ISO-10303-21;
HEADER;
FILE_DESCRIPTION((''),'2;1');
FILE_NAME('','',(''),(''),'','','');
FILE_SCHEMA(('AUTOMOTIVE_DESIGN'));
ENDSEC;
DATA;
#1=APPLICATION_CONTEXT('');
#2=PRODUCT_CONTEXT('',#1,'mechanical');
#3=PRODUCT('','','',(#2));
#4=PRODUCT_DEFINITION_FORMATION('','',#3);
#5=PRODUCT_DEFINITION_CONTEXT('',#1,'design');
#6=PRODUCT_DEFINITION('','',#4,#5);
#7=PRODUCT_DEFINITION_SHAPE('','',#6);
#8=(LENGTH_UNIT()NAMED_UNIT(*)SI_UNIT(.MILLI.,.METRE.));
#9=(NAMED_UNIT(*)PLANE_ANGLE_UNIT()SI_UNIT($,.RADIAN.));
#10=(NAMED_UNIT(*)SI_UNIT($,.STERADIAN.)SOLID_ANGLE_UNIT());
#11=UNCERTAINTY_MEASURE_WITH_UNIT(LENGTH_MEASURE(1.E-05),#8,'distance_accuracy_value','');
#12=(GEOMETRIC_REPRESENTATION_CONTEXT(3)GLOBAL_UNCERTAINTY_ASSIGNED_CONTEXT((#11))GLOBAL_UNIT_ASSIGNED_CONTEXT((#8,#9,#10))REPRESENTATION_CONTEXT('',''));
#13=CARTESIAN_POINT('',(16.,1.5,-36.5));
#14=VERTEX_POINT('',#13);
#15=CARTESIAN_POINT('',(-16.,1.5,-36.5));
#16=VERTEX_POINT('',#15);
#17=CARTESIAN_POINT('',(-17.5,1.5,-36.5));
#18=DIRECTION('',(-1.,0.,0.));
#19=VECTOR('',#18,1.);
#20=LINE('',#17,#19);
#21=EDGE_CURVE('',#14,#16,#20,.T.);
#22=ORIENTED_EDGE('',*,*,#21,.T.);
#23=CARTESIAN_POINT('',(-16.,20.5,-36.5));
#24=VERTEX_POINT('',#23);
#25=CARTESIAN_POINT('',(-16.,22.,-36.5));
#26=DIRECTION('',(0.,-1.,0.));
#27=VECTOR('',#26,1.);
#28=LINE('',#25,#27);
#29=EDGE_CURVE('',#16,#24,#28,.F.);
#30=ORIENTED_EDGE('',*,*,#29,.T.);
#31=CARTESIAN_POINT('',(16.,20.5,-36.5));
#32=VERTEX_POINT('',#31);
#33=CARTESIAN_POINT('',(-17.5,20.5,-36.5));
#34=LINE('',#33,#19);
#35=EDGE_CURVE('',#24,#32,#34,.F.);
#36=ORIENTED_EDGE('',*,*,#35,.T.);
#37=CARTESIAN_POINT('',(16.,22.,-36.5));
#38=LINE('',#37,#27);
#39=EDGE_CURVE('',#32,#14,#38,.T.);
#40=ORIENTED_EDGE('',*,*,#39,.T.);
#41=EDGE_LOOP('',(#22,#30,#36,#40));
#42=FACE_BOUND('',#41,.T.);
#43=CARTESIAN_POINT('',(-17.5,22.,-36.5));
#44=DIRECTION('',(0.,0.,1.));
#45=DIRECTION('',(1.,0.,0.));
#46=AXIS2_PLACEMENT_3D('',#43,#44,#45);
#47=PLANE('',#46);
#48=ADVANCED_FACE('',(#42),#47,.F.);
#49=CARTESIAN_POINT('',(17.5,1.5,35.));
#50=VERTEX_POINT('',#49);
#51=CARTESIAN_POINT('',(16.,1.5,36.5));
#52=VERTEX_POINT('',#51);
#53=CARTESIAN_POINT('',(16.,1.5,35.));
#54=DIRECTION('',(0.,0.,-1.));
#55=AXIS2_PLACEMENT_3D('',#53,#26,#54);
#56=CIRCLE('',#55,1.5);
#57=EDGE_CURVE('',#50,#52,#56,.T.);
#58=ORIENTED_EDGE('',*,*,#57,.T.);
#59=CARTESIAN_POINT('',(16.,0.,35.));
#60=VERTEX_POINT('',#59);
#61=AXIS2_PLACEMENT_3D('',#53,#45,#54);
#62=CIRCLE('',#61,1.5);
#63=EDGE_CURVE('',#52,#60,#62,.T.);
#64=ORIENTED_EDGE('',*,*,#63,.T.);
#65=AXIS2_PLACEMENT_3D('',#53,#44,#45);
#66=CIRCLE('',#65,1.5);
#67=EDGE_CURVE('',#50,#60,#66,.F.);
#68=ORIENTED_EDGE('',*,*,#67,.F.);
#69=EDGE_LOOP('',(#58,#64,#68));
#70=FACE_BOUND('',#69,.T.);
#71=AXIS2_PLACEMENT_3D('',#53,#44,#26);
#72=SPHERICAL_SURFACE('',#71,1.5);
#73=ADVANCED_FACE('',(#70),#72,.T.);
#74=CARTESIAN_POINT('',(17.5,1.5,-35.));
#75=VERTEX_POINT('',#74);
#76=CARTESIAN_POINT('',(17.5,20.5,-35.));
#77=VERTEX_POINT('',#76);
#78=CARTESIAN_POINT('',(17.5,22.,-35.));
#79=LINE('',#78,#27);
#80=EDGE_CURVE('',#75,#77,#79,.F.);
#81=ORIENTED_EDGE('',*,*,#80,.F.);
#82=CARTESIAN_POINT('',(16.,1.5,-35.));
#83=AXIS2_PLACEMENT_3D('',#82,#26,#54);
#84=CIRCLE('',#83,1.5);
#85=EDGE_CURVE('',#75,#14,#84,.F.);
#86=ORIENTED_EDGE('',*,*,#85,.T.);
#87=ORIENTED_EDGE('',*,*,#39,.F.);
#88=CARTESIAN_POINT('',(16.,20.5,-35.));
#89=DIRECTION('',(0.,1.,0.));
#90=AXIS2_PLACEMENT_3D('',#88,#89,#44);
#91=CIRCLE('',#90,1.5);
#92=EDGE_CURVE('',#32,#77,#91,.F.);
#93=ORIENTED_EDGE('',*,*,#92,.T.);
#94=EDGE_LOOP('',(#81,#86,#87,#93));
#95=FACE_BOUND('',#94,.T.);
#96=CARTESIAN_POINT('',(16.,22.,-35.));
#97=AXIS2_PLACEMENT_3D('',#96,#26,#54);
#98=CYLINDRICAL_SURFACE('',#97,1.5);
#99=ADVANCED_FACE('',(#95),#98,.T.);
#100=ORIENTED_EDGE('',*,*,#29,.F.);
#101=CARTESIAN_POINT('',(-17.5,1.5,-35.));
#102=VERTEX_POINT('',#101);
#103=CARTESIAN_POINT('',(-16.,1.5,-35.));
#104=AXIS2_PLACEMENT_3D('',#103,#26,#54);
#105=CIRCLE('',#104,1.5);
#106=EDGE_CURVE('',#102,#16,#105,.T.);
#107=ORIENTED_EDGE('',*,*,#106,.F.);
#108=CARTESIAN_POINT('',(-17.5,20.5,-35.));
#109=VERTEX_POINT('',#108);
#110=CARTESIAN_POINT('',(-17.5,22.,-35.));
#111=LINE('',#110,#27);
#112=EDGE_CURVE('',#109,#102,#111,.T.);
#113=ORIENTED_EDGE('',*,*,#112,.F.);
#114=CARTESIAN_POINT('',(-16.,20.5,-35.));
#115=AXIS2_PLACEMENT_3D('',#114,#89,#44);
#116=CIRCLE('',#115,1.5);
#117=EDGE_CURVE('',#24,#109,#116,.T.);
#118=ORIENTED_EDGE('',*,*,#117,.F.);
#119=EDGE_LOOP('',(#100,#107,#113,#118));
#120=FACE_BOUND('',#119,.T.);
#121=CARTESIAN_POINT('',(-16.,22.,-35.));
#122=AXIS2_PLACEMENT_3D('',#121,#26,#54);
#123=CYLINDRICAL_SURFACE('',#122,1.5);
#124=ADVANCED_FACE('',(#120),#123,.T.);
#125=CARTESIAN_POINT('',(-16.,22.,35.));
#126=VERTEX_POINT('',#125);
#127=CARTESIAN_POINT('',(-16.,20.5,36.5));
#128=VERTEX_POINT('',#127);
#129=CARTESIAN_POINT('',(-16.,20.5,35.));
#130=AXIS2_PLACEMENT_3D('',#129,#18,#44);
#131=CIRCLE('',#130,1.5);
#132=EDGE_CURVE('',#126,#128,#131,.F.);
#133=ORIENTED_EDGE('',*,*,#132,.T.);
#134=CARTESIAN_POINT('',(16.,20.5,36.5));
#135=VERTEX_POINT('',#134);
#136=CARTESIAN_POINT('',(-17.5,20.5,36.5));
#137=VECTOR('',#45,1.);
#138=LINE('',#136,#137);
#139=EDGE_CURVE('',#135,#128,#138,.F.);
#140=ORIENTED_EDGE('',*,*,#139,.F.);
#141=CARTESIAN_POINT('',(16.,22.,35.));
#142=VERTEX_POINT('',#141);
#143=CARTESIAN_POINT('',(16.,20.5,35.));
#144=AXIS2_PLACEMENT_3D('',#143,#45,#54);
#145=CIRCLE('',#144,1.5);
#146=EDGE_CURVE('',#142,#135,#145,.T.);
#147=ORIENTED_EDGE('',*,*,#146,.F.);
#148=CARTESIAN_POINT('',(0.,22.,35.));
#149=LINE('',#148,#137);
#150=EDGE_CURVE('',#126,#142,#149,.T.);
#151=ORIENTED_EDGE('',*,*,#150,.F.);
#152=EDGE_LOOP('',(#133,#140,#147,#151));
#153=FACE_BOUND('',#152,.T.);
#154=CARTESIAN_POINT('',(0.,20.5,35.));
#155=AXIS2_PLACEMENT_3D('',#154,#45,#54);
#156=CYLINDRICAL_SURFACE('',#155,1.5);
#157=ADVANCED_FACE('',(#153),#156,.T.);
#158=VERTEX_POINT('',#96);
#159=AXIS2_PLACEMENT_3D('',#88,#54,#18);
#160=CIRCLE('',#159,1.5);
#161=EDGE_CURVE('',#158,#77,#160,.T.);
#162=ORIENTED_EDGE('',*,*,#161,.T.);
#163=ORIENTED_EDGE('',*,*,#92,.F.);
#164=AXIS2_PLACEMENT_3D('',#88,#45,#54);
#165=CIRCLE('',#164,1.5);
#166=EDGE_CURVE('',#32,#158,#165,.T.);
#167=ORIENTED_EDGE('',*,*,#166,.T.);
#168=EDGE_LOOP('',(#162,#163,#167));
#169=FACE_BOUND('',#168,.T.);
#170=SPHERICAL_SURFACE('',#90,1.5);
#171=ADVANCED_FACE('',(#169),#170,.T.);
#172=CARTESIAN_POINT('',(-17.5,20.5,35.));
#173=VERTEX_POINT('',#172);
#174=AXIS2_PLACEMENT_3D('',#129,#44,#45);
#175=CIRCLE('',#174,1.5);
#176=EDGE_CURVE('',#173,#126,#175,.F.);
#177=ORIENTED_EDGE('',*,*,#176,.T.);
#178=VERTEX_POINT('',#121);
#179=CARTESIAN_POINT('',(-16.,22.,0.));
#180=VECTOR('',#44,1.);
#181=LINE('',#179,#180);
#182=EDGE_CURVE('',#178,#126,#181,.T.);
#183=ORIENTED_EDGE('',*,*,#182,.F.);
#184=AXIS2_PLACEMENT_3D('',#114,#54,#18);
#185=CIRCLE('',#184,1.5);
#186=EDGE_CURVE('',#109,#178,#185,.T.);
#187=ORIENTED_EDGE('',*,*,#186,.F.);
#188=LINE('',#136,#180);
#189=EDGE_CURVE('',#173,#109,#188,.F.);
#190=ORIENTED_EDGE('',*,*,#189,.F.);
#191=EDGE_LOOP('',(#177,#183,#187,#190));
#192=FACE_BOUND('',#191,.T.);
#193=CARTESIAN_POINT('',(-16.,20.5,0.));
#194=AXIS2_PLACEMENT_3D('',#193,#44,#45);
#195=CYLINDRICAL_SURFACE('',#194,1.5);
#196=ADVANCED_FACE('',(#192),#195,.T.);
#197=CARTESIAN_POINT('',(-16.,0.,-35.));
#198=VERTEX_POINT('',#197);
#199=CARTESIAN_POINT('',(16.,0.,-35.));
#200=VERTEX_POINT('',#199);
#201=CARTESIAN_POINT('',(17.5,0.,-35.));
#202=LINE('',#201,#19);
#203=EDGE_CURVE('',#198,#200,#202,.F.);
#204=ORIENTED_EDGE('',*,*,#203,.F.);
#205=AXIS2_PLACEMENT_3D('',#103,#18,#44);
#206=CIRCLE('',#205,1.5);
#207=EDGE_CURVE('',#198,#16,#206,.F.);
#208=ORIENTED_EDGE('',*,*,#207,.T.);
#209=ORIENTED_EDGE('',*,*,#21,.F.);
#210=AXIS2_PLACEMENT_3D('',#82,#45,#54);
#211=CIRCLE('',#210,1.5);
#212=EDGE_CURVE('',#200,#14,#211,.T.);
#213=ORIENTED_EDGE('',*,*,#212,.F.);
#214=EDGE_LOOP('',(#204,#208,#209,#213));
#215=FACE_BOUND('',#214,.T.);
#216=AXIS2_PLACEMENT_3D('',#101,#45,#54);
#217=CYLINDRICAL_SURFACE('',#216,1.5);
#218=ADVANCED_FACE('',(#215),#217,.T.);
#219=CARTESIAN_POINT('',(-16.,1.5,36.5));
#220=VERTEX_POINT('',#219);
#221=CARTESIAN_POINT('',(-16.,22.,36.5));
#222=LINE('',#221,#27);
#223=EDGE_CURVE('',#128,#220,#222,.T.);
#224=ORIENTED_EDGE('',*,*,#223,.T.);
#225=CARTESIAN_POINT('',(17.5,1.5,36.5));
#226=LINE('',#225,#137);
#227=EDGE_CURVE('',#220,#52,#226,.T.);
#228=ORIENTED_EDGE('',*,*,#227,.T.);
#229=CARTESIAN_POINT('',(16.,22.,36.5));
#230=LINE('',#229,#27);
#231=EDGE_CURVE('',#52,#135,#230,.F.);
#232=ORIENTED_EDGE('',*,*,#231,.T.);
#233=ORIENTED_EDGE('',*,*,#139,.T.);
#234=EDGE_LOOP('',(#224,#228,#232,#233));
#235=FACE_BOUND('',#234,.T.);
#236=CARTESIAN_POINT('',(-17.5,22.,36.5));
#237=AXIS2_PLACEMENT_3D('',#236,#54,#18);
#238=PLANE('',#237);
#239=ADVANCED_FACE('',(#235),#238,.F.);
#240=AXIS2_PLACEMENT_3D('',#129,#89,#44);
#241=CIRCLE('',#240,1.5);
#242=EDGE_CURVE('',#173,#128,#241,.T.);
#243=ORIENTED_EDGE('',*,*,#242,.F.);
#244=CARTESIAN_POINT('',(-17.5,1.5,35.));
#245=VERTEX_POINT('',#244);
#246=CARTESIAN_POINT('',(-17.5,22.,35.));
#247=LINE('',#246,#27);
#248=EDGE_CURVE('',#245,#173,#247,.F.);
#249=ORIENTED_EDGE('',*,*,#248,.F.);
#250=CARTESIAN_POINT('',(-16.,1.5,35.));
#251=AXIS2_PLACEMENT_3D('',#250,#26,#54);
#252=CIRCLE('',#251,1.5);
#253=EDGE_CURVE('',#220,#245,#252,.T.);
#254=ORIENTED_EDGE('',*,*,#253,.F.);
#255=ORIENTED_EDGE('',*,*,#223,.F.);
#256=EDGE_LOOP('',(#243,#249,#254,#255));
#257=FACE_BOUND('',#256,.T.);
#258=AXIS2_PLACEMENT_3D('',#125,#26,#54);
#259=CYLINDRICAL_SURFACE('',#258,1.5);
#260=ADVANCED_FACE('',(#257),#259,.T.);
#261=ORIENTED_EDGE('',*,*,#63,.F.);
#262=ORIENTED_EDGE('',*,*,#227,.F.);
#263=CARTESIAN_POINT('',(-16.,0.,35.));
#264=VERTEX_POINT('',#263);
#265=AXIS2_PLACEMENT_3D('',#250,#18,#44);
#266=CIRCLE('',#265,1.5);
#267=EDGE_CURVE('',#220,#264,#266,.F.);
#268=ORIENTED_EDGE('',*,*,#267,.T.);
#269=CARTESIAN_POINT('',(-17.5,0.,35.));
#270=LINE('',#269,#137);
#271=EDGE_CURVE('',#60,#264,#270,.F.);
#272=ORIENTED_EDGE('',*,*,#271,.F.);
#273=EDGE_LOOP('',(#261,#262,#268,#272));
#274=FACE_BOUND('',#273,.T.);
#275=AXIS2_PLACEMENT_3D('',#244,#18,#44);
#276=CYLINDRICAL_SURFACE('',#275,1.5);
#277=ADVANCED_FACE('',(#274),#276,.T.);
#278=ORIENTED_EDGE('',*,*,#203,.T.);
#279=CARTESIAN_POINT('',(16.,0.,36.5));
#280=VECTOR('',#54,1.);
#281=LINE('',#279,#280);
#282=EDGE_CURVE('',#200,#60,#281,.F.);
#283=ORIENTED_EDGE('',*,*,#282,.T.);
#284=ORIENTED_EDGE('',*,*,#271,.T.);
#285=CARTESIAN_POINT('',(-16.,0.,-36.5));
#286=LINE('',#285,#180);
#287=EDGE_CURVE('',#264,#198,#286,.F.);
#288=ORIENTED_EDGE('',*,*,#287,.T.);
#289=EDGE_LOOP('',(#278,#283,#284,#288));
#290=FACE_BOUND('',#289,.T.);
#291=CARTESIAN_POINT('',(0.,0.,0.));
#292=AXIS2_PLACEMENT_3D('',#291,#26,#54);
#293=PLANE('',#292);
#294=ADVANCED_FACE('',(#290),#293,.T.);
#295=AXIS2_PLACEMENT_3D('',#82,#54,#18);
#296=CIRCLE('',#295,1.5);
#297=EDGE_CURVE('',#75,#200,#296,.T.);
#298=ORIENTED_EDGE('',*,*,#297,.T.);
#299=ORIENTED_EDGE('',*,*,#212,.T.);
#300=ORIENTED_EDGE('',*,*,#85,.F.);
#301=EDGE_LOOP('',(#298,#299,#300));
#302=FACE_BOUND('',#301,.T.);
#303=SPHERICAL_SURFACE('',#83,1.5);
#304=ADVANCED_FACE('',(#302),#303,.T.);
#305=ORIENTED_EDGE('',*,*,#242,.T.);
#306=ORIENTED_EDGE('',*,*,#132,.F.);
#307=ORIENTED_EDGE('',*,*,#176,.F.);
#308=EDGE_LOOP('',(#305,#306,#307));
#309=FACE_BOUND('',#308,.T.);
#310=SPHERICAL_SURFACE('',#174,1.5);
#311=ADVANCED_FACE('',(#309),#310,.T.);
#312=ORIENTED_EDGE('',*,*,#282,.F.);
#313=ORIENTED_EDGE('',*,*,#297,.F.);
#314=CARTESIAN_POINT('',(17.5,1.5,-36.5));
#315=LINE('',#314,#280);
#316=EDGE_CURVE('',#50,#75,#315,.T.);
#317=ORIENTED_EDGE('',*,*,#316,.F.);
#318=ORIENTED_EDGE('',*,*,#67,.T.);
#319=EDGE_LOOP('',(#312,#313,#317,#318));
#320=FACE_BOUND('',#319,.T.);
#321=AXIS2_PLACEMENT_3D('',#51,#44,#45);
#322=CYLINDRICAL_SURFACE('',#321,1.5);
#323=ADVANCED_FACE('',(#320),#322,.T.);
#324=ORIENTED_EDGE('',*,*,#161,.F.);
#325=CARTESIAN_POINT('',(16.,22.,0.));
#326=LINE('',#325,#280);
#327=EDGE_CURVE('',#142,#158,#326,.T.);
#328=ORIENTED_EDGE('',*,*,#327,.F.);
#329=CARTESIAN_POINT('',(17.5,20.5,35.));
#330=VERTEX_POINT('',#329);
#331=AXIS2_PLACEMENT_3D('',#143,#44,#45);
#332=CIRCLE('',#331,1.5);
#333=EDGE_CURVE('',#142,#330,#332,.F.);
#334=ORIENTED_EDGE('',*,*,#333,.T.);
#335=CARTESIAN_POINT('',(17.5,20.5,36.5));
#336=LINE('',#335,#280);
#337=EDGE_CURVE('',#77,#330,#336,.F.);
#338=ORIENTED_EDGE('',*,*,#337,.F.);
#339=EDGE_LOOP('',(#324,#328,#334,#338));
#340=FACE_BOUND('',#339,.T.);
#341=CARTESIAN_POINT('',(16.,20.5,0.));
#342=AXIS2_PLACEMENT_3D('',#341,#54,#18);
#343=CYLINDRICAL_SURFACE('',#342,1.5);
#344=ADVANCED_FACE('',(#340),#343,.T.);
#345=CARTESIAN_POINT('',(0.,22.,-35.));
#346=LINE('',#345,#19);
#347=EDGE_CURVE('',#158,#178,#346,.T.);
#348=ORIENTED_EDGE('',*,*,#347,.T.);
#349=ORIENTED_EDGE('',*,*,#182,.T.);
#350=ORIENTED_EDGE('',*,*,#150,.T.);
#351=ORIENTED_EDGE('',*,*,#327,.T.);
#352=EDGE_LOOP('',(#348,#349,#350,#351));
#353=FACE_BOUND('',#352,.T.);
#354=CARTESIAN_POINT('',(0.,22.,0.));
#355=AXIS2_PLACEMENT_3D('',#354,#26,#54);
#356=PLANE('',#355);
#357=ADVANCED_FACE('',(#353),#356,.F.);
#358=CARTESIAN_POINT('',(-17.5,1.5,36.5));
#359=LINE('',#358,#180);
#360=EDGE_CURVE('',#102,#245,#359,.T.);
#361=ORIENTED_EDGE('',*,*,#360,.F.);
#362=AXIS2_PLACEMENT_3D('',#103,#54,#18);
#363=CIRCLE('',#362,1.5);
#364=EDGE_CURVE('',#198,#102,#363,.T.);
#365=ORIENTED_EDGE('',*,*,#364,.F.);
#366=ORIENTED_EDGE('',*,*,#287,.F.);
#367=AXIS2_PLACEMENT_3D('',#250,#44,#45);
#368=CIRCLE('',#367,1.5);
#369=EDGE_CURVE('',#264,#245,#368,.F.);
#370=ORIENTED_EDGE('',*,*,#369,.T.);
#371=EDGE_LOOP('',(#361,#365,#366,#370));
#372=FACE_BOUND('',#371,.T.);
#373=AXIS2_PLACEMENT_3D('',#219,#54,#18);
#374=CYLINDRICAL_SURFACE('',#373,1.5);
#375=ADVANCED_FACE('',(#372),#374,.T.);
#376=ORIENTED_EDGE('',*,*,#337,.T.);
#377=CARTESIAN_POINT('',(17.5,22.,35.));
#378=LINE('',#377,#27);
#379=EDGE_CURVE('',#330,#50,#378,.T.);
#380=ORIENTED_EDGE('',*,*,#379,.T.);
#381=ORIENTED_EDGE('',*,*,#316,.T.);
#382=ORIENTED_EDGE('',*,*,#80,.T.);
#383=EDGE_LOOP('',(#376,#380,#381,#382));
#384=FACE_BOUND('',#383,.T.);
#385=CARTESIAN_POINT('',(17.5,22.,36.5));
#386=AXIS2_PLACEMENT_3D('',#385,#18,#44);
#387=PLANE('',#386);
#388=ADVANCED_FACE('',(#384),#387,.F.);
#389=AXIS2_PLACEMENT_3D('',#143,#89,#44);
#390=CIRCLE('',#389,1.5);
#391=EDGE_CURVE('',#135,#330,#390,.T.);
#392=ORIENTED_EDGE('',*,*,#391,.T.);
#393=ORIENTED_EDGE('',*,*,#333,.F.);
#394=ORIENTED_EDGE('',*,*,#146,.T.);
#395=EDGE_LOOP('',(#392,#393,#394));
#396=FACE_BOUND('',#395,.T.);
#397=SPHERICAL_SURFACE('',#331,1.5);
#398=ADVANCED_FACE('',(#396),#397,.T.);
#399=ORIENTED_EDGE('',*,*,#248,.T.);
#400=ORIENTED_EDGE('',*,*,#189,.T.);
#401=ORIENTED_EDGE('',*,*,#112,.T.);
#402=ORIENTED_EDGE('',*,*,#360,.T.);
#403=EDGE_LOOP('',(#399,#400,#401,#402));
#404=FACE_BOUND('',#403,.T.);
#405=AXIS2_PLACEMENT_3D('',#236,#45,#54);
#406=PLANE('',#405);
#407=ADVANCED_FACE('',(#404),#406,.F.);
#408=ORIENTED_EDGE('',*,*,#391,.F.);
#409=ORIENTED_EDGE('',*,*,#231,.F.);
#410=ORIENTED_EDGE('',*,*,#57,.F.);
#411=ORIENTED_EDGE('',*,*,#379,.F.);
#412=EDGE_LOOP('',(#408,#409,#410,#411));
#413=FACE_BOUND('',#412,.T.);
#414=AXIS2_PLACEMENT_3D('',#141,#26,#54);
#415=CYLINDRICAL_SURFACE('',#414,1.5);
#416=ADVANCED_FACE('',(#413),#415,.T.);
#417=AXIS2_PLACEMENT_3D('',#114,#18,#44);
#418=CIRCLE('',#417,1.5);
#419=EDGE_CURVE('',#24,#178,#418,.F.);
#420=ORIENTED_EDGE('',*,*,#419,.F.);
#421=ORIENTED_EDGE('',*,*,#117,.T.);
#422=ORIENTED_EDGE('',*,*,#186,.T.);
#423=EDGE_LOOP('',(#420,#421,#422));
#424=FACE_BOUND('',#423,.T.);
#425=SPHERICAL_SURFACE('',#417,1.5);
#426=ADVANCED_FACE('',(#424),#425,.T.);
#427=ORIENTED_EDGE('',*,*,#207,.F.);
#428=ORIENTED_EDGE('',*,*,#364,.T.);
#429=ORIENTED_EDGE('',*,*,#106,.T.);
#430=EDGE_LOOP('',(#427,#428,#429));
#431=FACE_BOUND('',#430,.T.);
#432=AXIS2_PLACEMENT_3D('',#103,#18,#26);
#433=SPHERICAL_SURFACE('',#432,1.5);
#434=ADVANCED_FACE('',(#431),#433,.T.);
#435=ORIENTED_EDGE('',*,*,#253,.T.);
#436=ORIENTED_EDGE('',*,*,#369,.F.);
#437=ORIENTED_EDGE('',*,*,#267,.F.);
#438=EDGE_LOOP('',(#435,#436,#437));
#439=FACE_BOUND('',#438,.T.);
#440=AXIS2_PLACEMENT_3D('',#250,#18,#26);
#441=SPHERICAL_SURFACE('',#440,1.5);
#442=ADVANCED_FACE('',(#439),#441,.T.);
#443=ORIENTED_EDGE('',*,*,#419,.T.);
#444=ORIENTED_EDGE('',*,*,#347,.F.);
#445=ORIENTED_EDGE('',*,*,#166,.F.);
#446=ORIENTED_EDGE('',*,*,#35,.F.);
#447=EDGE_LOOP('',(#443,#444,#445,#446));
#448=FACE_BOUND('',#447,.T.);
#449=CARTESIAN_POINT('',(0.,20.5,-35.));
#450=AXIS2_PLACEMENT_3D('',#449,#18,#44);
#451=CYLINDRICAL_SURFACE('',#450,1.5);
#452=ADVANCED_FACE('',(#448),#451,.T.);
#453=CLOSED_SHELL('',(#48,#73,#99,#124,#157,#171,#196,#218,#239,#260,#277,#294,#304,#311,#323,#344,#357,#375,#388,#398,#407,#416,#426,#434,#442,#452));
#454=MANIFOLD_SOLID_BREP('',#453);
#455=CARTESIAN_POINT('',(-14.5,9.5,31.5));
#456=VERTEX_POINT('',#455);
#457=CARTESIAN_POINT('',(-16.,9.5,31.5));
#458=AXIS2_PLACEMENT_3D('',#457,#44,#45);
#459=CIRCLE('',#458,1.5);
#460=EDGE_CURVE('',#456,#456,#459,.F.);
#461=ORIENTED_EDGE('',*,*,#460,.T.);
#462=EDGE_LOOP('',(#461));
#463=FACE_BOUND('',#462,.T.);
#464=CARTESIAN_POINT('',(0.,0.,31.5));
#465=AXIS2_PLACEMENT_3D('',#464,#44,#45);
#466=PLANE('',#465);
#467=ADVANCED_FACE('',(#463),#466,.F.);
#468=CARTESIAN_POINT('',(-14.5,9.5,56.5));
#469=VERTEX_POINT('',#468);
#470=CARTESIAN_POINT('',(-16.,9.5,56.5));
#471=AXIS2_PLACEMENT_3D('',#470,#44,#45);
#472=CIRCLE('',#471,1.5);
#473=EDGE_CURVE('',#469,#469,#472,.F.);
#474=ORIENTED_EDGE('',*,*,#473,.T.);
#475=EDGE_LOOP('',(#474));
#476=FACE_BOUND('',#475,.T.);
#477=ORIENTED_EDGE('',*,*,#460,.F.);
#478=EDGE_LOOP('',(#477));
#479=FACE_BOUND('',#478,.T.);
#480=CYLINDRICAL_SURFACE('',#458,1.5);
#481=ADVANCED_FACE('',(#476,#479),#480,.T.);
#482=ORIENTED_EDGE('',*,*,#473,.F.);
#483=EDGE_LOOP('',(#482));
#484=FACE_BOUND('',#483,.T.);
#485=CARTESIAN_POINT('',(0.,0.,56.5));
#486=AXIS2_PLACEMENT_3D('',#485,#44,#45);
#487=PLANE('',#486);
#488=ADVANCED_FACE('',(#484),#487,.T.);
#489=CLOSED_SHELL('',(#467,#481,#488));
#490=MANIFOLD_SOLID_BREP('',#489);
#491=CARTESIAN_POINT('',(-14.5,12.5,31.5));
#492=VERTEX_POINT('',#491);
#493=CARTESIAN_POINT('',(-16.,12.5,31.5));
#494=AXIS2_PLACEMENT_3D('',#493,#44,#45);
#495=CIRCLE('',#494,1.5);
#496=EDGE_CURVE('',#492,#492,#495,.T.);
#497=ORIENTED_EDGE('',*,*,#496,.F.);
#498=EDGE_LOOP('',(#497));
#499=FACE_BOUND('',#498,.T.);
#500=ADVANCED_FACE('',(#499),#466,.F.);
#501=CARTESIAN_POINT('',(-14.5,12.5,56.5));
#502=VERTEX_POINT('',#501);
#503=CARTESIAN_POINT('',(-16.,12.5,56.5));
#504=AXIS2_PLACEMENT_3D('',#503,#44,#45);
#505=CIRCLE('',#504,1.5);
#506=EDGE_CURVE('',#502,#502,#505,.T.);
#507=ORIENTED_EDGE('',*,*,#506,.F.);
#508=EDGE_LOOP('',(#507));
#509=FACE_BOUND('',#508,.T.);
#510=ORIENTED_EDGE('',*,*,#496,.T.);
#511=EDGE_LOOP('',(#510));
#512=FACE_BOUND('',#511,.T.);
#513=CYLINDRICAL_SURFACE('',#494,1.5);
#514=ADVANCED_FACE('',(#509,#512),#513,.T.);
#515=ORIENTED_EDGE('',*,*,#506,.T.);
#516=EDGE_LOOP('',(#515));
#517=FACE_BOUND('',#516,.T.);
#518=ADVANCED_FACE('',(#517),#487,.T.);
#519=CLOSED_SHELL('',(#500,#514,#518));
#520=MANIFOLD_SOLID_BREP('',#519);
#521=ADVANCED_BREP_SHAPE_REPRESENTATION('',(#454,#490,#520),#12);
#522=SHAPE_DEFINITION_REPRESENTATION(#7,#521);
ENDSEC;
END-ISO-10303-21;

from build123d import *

# Parameters (mm, degrees)
SKETCH1_W                = 35
SKETCH1_H                = 73
BOSS_EXTRUDE1_DEPTH      = 22
FILLET1_R                = 1.5
BOSS_EXTRUDE5_DEPTH      = 20
BOSS_EXTRUDE5_DEPTH_BACK = 5


with BuildPart() as part:
    # Sketch1 → Boss-Extrude1 (new body)
    with BuildSketch(Plane(origin=(0, 0, 0), x_dir=(1, 0, 0), z_dir=(0, 1, 0))):
        Rectangle(SKETCH1_W, SKETCH1_H)
    extrude(amount=BOSS_EXTRUDE1_DEPTH)

    # Fillet1
    fillet1_edges = [part.edges().sort_by_distance(p)[0] for p in [
        (-17.5, 22, 0),
        (0, 22, 36.5),
        (17.5, 22, 0),
        (0, 0, 36.5),
        (-17.5, 0, 0),
        (0, 0, -36.5),
        (17.5, 0, 0),
        (17.5, 11, 36.5),
        (-17.5, 11, 36.5),
        (-17.5, 11, -36.5),
        (17.5, 11, -36.5),
        (0, 22, -36.5),
    ]]
    fillet(fillet1_edges, radius=FILLET1_R)


with BuildPart() as body_2:
    # Sketch2 → Boss-Extrude5 (new, two sides: drawn at the far end of the back side and taken through both)
    with BuildSketch(Plane.XY.offset(36.5).offset(-BOSS_EXTRUDE5_DEPTH_BACK)):
        with BuildLine():
            ThreePointArc((-16, 11), (-14.939339828, 11.439339828), (-14.5, 12.5))
            ThreePointArc((-14.5, 12.5), (-14.939339828, 13.560660172), (-16, 14))
            Line((-16, 14), (-16, 11))
        make_face()
        with BuildLine():
            Line((-16, 11), (-16, 14))
            ThreePointArc((-16, 14), (-17.5, 12.5), (-16, 11))
        make_face()
        with BuildLine():
            ThreePointArc((-14.5, 9.5), (-14.939339828, 10.560660172), (-16, 11))
            Line((-16, 11), (-16, 8))
            ThreePointArc((-16, 8), (-14.939339828, 8.439339828), (-14.5, 9.5))
        make_face()
        with BuildLine():
            Line((-16, 8), (-16, 11))
            ThreePointArc((-16, 11), (-17.5, 9.5), (-16, 8))
        make_face()
    extrude(amount=BOSS_EXTRUDE5_DEPTH + BOSS_EXTRUDE5_DEPTH_BACK)


solid = Compound([part.part, body_2.part])
